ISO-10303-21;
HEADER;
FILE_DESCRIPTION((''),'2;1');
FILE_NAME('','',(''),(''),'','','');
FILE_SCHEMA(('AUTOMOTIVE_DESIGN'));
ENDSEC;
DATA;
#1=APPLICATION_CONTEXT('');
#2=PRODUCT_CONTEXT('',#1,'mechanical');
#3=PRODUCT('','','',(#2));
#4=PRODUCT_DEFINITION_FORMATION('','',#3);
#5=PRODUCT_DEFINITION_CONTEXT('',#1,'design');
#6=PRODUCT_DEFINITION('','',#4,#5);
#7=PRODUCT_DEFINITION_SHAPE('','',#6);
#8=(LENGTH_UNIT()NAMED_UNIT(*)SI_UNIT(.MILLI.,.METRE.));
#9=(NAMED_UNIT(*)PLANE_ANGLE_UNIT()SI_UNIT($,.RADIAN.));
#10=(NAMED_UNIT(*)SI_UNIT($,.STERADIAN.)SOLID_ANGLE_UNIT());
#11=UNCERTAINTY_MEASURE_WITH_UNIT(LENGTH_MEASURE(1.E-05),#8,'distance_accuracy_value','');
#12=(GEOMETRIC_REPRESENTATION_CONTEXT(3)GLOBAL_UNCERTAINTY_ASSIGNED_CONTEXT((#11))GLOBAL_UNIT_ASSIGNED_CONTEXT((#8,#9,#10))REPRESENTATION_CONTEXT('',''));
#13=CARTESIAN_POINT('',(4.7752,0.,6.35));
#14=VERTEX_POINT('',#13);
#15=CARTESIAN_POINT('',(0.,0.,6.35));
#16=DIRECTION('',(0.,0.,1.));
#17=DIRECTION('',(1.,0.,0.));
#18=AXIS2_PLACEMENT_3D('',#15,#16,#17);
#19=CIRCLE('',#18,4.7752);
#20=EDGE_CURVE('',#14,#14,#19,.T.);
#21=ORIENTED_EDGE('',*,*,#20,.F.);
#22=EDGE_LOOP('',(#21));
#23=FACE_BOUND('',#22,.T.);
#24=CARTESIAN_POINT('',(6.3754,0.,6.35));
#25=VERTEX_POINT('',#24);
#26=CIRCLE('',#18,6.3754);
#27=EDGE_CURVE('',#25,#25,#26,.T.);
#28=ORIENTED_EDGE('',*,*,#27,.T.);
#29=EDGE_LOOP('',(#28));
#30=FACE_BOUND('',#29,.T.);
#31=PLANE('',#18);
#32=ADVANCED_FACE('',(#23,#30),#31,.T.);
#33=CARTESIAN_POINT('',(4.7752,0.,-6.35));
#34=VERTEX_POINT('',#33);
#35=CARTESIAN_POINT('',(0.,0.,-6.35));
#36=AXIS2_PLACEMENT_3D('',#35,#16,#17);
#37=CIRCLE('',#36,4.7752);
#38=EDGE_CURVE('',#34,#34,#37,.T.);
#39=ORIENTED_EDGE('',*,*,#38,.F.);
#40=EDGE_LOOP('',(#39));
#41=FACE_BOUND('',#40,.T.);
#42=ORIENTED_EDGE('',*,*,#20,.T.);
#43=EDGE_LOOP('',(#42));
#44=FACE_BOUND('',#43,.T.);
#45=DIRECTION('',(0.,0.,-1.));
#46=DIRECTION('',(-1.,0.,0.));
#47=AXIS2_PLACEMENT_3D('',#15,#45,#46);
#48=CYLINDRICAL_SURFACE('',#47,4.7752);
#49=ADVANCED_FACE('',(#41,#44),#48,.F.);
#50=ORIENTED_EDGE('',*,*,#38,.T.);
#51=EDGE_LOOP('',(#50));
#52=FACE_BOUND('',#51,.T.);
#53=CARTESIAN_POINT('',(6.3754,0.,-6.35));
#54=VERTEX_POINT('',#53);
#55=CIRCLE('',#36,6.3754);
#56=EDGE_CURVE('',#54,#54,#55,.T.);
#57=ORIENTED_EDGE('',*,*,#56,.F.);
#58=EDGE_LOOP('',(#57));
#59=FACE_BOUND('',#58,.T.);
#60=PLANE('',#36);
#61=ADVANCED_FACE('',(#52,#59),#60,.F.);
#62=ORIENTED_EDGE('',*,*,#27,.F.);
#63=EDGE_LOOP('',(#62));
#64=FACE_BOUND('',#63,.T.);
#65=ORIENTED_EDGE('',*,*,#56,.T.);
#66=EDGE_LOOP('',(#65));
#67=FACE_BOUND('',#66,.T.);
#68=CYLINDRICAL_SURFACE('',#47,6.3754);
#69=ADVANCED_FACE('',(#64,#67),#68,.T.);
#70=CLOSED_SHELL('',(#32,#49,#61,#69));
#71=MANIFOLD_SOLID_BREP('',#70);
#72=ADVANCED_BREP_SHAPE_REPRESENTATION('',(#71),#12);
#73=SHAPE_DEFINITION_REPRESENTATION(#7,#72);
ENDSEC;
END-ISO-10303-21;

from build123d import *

# Parameters (mm, degrees)
SKETCH1_R      = 6.3754
SKETCH1_R_2    = 4.7752
EXTRUDE1_DEPTH = 6.35


with BuildPart() as part:
    # Sketch1 → Extrude1 (new body, symmetric)
    with BuildSketch(Plane.XY):
        Circle(SKETCH1_R)
        Circle(SKETCH1_R_2, mode=Mode.SUBTRACT)
    extrude(amount=EXTRUDE1_DEPTH, both=True)


solid = part.part
